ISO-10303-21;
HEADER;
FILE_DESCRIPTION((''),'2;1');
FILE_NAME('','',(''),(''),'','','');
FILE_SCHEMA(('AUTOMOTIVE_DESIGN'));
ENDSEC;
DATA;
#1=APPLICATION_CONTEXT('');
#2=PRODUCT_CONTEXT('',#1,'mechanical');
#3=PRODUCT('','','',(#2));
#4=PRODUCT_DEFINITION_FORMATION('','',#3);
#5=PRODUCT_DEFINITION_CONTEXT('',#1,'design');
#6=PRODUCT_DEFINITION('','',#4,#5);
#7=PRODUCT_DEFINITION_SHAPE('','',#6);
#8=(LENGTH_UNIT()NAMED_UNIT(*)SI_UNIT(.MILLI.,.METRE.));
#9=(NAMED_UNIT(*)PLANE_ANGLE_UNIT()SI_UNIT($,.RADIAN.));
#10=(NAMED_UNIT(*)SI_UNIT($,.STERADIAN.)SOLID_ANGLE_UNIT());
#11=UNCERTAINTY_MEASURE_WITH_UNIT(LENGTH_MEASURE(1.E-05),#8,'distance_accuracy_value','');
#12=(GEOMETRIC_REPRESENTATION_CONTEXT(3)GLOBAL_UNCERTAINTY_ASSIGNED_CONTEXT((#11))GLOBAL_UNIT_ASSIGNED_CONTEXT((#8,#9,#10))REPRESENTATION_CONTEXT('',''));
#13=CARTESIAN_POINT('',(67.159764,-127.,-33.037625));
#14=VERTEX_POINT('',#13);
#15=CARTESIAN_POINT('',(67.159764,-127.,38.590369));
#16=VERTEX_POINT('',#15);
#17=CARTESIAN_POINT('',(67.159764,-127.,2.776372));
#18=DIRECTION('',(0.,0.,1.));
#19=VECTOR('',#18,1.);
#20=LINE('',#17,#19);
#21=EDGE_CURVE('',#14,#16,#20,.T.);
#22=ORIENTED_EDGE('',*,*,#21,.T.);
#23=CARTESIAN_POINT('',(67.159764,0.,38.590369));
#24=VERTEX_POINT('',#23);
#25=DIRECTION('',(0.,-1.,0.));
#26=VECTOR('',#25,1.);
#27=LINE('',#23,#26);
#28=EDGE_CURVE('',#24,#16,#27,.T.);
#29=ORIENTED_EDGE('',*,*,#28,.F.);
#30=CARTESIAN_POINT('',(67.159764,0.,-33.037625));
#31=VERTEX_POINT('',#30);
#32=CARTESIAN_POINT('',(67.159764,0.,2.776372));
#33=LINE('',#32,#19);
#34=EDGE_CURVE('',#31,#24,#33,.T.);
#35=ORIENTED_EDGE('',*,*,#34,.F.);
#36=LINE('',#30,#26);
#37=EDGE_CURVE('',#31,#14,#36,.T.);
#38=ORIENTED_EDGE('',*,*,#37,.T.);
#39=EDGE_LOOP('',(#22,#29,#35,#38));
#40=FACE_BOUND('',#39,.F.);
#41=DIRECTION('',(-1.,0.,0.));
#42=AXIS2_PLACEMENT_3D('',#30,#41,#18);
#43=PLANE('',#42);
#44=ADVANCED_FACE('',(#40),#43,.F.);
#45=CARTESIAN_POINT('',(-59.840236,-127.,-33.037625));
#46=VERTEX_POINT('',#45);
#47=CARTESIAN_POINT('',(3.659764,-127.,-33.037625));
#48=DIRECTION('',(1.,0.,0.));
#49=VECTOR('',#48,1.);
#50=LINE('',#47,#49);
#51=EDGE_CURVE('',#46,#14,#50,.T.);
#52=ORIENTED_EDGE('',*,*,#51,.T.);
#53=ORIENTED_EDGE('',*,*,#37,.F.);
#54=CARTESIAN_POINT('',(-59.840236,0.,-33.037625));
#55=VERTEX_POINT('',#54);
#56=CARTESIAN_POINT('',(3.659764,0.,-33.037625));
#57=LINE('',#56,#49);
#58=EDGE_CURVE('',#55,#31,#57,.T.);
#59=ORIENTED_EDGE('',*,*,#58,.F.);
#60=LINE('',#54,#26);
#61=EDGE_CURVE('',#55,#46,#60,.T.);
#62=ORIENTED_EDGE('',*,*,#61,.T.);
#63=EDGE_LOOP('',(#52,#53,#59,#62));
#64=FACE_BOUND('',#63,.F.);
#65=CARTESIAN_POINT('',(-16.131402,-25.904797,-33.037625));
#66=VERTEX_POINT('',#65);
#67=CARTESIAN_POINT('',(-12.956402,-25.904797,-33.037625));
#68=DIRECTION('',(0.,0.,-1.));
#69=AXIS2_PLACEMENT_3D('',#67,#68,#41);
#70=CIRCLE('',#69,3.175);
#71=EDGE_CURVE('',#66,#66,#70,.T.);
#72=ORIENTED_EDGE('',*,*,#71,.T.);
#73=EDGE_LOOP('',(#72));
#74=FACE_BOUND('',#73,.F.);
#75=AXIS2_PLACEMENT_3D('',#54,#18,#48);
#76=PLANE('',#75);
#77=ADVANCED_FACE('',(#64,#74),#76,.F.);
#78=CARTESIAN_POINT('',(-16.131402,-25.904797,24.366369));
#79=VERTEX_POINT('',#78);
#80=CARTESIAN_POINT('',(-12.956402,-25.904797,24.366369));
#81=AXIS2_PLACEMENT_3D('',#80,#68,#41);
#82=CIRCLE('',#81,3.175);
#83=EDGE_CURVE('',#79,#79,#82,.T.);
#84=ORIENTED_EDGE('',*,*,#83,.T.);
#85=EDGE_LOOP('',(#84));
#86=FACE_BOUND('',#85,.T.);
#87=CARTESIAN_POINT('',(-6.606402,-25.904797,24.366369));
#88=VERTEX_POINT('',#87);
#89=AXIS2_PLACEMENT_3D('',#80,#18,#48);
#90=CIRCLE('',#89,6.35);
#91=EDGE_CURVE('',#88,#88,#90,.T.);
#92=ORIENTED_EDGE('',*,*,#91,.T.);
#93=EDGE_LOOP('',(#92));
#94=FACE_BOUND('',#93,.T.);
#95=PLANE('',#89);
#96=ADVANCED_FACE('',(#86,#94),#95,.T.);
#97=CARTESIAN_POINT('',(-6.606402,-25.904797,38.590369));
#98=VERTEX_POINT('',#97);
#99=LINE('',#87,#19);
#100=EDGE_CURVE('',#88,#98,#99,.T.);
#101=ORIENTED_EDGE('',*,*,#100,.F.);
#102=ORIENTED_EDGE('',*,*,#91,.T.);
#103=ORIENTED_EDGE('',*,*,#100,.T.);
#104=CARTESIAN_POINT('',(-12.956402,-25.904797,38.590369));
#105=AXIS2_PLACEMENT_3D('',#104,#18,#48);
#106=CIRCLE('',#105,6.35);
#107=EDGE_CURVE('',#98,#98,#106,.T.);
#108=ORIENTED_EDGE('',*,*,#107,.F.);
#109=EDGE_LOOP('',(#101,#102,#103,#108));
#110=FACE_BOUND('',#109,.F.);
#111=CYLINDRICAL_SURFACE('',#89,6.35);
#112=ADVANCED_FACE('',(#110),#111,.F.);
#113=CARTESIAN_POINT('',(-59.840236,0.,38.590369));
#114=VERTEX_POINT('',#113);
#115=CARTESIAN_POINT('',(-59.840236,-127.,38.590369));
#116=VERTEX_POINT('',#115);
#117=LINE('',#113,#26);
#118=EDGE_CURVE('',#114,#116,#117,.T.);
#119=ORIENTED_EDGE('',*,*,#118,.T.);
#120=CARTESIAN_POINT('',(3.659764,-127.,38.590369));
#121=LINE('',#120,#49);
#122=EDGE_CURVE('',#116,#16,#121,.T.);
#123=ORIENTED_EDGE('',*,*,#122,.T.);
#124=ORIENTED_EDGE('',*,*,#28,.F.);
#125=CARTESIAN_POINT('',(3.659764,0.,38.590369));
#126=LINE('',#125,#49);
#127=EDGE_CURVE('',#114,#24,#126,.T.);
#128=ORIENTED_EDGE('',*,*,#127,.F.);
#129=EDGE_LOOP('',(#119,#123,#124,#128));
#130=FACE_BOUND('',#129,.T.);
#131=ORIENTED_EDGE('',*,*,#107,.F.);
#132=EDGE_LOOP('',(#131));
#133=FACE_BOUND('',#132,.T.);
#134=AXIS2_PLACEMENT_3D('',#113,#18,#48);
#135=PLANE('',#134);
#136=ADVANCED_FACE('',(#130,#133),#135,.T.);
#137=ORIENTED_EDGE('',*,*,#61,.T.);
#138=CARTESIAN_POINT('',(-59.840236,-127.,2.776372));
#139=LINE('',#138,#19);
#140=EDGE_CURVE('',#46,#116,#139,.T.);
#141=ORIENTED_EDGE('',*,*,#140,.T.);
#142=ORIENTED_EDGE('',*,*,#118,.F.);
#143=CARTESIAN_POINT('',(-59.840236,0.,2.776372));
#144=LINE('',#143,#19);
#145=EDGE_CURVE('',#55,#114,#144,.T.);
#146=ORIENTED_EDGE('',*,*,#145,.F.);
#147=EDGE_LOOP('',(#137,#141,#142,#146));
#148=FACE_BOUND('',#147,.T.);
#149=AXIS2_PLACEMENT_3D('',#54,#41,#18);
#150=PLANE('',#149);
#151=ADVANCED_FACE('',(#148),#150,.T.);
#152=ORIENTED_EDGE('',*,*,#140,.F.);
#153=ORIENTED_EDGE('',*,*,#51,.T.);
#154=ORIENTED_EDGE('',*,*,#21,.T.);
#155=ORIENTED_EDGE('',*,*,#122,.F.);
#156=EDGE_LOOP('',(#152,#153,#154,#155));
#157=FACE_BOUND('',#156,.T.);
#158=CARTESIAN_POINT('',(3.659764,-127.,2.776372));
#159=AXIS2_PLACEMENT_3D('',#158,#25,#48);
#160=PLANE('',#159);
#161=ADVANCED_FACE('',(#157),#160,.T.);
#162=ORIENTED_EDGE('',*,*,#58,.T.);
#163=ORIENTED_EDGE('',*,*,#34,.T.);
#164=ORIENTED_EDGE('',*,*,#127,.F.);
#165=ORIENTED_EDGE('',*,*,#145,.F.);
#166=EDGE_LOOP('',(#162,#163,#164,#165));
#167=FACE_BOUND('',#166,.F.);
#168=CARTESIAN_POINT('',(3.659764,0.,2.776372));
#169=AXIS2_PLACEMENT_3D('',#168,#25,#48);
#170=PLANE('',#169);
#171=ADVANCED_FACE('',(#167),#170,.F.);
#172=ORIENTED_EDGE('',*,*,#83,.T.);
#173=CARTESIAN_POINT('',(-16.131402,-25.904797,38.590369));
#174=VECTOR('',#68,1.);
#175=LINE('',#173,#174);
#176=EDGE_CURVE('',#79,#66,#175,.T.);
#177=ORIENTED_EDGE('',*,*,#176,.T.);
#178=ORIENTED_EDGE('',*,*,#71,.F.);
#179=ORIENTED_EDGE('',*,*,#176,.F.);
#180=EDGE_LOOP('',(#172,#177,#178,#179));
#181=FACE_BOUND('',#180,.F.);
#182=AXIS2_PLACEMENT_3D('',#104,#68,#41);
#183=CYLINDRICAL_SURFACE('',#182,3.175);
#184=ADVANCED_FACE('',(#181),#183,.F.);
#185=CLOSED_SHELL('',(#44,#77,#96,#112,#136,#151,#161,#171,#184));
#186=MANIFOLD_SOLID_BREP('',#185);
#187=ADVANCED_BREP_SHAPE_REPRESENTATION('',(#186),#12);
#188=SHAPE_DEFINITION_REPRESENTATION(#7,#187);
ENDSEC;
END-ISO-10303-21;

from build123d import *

# Parameters (mm, degrees)
F0_W           = 127
F0_H           = 71.627994
F1_DEPTH       = 127
F3_D           = 6.35
F3_CBORE_D     = 12.7
F3_CBORE_DEPTH = 14.224


with BuildPart() as f1:
    # F0 (on Front) → F1 (new body)
    with BuildSketch(Plane.XZ):
        with Locations((3.659764, 2.776372)):
            Rectangle(F0_W, F0_H)
    extrude(amount=F1_DEPTH)

    # F3 (through all)
    with Locations(Plane.XY.offset(38.590369)):
        with Locations((-12.956402, -25.904797)):
            CounterBoreHole(F3_D / 2, F3_CBORE_D / 2, F3_CBORE_DEPTH)


solid = f1.part
